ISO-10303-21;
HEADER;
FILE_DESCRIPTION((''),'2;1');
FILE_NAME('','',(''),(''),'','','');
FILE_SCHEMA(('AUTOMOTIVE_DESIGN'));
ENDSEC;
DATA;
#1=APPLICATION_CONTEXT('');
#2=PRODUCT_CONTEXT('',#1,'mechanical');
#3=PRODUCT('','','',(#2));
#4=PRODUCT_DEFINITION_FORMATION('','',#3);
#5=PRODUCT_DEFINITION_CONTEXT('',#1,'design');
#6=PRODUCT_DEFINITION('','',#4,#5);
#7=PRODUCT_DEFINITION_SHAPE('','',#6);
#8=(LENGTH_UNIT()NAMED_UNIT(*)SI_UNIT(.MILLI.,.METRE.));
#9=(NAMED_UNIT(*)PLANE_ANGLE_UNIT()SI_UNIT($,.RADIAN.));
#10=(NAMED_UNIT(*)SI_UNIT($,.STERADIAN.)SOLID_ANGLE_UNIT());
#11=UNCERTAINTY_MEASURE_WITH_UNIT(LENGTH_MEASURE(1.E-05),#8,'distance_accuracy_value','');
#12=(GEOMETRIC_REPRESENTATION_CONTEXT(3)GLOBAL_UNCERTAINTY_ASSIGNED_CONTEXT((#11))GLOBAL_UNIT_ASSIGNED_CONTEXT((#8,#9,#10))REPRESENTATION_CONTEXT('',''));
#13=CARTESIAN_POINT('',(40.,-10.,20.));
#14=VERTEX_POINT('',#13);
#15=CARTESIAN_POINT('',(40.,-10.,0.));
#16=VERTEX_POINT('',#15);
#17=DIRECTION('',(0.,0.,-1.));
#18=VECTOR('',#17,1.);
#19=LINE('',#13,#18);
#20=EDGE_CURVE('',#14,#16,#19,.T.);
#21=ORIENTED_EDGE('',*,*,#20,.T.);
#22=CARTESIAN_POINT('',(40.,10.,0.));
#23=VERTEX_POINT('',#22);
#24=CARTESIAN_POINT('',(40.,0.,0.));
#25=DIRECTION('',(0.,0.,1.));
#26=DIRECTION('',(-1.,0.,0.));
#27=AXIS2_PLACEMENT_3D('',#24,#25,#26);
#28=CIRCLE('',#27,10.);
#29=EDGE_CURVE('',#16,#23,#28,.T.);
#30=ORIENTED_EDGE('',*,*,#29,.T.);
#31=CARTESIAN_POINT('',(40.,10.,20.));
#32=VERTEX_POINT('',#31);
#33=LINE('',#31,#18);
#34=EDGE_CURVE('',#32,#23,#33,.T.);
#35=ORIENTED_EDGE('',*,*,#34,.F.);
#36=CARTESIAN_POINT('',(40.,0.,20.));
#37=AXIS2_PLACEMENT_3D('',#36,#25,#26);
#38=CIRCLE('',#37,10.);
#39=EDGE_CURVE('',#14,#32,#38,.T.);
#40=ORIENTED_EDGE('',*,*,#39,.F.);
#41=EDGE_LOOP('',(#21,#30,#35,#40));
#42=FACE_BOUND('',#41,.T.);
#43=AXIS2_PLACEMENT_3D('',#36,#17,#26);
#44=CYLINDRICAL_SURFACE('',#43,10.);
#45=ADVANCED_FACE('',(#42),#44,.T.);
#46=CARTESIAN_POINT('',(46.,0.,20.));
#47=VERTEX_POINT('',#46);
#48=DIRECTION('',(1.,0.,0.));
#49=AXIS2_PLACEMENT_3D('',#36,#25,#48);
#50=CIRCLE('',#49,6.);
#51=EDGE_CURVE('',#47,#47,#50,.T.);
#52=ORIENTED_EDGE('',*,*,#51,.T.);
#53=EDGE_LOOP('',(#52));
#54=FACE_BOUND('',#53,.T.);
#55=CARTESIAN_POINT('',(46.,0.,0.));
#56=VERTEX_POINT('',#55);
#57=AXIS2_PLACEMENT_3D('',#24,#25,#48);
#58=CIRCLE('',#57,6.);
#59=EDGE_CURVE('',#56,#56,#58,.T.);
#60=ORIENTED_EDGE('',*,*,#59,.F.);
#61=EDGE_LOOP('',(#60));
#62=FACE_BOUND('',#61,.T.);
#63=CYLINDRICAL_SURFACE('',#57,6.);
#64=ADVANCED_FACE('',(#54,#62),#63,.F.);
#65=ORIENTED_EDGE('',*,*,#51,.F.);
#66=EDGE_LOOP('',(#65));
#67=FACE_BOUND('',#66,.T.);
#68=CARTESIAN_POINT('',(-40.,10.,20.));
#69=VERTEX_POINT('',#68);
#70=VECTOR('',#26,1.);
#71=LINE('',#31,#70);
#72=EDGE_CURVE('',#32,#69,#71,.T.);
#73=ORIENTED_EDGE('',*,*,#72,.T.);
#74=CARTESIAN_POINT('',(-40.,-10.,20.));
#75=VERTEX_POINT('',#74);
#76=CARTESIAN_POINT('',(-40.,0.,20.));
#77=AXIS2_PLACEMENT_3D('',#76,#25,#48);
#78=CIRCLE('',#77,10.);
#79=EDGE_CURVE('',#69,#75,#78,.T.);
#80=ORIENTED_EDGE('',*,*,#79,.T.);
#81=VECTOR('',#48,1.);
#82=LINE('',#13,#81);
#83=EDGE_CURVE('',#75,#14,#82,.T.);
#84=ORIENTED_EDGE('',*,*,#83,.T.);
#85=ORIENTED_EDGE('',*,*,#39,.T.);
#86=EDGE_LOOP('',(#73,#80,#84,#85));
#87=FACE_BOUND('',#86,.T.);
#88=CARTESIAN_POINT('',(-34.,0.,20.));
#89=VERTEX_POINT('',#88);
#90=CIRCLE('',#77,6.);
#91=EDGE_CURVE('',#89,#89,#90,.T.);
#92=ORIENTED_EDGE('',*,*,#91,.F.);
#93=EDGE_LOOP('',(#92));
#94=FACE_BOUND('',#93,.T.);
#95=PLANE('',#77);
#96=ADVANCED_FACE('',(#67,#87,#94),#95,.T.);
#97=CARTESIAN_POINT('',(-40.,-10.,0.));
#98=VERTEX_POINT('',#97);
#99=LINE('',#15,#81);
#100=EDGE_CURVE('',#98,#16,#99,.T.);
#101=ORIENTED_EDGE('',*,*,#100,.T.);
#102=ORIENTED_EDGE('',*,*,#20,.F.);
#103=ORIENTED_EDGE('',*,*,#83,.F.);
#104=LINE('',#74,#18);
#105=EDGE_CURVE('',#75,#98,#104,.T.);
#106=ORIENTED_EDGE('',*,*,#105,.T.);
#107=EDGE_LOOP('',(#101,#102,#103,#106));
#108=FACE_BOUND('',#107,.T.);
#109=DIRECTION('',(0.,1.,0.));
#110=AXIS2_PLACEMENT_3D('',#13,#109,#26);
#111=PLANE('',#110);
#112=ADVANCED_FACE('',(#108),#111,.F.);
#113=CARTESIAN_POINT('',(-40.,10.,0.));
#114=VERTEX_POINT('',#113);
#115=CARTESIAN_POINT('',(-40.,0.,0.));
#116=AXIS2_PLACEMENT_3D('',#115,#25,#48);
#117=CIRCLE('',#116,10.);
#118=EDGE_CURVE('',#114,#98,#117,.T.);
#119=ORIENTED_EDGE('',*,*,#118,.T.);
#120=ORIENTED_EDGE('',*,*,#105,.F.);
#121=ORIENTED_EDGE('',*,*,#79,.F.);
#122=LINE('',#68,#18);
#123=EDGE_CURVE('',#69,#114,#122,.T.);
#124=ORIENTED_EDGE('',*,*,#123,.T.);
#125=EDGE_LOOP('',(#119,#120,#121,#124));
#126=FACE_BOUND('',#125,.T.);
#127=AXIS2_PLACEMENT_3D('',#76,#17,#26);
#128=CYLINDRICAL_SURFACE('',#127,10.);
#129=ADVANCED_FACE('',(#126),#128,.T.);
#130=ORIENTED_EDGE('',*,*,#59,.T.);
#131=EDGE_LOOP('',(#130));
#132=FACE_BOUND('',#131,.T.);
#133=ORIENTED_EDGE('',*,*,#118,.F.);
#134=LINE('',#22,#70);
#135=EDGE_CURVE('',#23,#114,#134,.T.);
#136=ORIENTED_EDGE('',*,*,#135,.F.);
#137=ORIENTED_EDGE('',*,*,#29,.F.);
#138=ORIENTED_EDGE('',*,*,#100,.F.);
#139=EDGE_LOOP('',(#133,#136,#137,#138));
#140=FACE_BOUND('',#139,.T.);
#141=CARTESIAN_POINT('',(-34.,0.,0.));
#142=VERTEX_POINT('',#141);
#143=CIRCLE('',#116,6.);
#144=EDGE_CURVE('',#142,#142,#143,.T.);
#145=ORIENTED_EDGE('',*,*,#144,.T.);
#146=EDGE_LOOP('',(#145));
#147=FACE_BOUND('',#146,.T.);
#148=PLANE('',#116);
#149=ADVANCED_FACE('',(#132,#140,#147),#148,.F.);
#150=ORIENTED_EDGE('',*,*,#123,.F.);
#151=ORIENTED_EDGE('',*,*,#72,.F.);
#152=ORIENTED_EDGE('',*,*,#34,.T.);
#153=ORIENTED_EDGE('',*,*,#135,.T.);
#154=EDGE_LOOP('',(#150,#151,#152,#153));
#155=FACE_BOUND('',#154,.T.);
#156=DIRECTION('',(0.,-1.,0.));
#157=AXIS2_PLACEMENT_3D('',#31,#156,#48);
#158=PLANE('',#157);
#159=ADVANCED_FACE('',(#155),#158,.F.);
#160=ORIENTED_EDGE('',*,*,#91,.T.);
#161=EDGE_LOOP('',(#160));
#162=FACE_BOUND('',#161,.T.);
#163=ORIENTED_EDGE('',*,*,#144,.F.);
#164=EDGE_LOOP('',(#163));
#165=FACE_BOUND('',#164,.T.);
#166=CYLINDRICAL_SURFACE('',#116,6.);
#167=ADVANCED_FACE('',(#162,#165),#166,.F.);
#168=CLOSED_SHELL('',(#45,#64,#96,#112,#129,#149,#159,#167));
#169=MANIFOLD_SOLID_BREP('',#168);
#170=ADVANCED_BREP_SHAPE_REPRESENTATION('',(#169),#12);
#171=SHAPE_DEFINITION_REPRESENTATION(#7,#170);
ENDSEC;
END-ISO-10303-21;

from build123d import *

# Parameters (mm, degrees)
BOSS_EXTRUDE1_DEPTH = 20
SKETCH2_R           = 6
CUT_EXTRUDE1_DEPTH  = 55.772255751


with BuildPart() as part:
    # Sketch1 → Boss-Extrude1 (new body)
    with BuildSketch(Plane.XY):
        with BuildLine():
            Line((40, -10), (-40, -10))
            ThreePointArc((-40, -10), (-50, 0), (-40, 10))
            Line((-40, 10), (40, 10))
            ThreePointArc((40, 10), (50, 0), (40, -10))
        make_face()
    extrude(amount=BOSS_EXTRUDE1_DEPTH)

    # Sketch2 → Cut-Extrude1 (cut, through all)
    with BuildSketch(Plane.XY.offset(20)):
        with Locations((-40, 0)):
            Circle(SKETCH2_R)
        with Locations((40, 0)):
            Circle(SKETCH2_R)
    extrude(amount=-CUT_EXTRUDE1_DEPTH, mode=Mode.SUBTRACT)


solid = part.part
